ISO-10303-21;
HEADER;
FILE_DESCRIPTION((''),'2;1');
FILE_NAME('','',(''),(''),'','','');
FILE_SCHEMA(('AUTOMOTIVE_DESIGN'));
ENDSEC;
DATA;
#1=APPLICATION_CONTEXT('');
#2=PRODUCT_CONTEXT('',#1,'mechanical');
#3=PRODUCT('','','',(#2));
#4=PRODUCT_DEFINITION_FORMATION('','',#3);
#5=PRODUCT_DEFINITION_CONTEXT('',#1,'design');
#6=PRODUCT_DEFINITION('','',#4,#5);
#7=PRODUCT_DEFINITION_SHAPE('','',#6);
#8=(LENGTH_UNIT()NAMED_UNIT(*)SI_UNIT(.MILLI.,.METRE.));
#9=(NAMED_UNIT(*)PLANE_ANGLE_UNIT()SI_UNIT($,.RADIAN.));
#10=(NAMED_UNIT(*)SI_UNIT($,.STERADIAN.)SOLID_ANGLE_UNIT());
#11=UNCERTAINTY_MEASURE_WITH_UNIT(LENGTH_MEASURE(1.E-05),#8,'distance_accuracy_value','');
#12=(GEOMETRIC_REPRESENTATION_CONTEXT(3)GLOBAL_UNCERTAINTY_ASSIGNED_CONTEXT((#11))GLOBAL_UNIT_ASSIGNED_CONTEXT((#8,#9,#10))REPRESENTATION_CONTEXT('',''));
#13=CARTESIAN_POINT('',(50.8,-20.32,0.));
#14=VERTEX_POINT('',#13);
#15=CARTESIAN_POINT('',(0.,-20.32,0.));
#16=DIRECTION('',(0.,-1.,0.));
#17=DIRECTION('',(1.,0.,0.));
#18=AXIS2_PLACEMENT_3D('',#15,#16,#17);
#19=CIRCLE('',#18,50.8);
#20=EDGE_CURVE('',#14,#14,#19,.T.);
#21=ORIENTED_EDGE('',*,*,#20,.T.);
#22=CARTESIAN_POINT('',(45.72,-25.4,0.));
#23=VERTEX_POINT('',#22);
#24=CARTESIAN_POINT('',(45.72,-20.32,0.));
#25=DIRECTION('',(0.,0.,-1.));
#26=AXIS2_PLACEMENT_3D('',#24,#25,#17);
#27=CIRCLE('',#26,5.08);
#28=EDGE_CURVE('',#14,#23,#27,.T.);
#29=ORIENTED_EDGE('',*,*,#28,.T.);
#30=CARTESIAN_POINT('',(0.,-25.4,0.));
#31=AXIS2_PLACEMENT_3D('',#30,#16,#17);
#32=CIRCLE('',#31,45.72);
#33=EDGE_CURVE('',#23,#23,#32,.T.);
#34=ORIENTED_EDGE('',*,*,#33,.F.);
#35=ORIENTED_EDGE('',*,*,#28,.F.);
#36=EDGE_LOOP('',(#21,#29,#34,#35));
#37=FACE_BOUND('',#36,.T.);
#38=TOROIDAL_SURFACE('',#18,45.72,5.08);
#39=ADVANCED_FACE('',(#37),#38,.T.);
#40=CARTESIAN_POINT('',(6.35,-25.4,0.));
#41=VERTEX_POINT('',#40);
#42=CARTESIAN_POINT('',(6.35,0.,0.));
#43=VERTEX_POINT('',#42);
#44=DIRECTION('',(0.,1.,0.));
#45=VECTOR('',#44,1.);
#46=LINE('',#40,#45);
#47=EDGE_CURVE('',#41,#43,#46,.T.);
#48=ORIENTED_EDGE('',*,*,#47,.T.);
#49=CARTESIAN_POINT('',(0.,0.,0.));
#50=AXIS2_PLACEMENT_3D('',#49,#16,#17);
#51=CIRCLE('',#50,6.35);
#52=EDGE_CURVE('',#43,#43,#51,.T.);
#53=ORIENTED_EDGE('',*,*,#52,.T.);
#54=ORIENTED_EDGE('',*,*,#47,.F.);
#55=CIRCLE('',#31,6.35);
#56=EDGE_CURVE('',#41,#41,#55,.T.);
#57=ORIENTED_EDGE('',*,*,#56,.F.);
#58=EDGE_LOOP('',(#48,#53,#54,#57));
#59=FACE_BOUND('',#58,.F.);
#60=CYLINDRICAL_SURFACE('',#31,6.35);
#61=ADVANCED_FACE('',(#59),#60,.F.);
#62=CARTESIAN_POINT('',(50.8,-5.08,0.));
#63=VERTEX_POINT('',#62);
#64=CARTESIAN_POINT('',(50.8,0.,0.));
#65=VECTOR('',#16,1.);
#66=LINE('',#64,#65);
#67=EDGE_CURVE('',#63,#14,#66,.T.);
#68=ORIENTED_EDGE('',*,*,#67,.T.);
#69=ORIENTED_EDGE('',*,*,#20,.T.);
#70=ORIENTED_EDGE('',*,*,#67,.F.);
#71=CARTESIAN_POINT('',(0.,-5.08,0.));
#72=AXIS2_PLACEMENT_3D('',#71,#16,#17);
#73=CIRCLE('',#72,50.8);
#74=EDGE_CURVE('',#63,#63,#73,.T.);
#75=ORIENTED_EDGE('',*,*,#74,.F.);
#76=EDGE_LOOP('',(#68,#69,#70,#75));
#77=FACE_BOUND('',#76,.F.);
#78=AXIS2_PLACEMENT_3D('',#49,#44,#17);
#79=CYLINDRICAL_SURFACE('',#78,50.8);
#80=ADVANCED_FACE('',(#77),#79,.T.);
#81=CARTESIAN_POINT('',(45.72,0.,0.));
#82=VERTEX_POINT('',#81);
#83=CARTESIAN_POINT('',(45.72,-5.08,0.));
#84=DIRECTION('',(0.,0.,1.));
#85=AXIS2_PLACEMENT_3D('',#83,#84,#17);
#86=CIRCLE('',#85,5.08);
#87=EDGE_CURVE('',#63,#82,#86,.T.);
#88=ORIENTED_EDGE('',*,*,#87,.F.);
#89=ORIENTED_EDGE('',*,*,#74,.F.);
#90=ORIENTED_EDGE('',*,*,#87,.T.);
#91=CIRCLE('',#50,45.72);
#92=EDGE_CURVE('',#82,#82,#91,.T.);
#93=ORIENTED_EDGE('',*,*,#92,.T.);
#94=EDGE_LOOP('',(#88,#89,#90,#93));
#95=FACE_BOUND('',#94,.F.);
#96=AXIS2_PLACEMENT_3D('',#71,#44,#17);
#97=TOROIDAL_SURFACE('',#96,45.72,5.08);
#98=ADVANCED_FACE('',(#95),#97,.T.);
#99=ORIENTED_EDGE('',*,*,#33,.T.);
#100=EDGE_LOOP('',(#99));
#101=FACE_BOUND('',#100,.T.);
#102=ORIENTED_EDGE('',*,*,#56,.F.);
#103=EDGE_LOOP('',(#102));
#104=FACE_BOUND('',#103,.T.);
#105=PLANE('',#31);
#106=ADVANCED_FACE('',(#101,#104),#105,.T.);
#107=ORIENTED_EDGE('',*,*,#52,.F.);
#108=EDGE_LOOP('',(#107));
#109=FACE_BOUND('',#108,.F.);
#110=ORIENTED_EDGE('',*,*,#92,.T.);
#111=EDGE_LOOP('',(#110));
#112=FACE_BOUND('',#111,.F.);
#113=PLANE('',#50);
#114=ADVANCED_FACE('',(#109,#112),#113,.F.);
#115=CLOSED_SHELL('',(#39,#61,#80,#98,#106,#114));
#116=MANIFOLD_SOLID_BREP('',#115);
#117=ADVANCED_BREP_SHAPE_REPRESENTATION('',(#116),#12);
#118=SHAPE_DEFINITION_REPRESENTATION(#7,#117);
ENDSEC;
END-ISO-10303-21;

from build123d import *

# Parameters (mm, degrees)
F0_R     = 50.8
F1_DEPTH = 25.4
F2_R     = 5.08
F3_R     = 6.35
F4_DEPTH = 25.401


with BuildPart() as f1:
    # F0 (on Front) → F1 (new body)
    with BuildSketch(Plane.XZ):
        Circle(F0_R)
    extrude(amount=F1_DEPTH)

    # F2
    f2_edges = [f1.edges().sort_by_distance(p)[0] for p in [
        (-50.8, -25.4, 0),
        (-50.8, 0, 0),
    ]]
    fillet(f2_edges, radius=F2_R)

    # F3 (on face) → F4 (cut, through all)
    with BuildSketch(Plane.XZ.offset(25.4)):
        Circle(F3_R)
    extrude(amount=-F4_DEPTH, mode=Mode.SUBTRACT)


solid = f1.part
